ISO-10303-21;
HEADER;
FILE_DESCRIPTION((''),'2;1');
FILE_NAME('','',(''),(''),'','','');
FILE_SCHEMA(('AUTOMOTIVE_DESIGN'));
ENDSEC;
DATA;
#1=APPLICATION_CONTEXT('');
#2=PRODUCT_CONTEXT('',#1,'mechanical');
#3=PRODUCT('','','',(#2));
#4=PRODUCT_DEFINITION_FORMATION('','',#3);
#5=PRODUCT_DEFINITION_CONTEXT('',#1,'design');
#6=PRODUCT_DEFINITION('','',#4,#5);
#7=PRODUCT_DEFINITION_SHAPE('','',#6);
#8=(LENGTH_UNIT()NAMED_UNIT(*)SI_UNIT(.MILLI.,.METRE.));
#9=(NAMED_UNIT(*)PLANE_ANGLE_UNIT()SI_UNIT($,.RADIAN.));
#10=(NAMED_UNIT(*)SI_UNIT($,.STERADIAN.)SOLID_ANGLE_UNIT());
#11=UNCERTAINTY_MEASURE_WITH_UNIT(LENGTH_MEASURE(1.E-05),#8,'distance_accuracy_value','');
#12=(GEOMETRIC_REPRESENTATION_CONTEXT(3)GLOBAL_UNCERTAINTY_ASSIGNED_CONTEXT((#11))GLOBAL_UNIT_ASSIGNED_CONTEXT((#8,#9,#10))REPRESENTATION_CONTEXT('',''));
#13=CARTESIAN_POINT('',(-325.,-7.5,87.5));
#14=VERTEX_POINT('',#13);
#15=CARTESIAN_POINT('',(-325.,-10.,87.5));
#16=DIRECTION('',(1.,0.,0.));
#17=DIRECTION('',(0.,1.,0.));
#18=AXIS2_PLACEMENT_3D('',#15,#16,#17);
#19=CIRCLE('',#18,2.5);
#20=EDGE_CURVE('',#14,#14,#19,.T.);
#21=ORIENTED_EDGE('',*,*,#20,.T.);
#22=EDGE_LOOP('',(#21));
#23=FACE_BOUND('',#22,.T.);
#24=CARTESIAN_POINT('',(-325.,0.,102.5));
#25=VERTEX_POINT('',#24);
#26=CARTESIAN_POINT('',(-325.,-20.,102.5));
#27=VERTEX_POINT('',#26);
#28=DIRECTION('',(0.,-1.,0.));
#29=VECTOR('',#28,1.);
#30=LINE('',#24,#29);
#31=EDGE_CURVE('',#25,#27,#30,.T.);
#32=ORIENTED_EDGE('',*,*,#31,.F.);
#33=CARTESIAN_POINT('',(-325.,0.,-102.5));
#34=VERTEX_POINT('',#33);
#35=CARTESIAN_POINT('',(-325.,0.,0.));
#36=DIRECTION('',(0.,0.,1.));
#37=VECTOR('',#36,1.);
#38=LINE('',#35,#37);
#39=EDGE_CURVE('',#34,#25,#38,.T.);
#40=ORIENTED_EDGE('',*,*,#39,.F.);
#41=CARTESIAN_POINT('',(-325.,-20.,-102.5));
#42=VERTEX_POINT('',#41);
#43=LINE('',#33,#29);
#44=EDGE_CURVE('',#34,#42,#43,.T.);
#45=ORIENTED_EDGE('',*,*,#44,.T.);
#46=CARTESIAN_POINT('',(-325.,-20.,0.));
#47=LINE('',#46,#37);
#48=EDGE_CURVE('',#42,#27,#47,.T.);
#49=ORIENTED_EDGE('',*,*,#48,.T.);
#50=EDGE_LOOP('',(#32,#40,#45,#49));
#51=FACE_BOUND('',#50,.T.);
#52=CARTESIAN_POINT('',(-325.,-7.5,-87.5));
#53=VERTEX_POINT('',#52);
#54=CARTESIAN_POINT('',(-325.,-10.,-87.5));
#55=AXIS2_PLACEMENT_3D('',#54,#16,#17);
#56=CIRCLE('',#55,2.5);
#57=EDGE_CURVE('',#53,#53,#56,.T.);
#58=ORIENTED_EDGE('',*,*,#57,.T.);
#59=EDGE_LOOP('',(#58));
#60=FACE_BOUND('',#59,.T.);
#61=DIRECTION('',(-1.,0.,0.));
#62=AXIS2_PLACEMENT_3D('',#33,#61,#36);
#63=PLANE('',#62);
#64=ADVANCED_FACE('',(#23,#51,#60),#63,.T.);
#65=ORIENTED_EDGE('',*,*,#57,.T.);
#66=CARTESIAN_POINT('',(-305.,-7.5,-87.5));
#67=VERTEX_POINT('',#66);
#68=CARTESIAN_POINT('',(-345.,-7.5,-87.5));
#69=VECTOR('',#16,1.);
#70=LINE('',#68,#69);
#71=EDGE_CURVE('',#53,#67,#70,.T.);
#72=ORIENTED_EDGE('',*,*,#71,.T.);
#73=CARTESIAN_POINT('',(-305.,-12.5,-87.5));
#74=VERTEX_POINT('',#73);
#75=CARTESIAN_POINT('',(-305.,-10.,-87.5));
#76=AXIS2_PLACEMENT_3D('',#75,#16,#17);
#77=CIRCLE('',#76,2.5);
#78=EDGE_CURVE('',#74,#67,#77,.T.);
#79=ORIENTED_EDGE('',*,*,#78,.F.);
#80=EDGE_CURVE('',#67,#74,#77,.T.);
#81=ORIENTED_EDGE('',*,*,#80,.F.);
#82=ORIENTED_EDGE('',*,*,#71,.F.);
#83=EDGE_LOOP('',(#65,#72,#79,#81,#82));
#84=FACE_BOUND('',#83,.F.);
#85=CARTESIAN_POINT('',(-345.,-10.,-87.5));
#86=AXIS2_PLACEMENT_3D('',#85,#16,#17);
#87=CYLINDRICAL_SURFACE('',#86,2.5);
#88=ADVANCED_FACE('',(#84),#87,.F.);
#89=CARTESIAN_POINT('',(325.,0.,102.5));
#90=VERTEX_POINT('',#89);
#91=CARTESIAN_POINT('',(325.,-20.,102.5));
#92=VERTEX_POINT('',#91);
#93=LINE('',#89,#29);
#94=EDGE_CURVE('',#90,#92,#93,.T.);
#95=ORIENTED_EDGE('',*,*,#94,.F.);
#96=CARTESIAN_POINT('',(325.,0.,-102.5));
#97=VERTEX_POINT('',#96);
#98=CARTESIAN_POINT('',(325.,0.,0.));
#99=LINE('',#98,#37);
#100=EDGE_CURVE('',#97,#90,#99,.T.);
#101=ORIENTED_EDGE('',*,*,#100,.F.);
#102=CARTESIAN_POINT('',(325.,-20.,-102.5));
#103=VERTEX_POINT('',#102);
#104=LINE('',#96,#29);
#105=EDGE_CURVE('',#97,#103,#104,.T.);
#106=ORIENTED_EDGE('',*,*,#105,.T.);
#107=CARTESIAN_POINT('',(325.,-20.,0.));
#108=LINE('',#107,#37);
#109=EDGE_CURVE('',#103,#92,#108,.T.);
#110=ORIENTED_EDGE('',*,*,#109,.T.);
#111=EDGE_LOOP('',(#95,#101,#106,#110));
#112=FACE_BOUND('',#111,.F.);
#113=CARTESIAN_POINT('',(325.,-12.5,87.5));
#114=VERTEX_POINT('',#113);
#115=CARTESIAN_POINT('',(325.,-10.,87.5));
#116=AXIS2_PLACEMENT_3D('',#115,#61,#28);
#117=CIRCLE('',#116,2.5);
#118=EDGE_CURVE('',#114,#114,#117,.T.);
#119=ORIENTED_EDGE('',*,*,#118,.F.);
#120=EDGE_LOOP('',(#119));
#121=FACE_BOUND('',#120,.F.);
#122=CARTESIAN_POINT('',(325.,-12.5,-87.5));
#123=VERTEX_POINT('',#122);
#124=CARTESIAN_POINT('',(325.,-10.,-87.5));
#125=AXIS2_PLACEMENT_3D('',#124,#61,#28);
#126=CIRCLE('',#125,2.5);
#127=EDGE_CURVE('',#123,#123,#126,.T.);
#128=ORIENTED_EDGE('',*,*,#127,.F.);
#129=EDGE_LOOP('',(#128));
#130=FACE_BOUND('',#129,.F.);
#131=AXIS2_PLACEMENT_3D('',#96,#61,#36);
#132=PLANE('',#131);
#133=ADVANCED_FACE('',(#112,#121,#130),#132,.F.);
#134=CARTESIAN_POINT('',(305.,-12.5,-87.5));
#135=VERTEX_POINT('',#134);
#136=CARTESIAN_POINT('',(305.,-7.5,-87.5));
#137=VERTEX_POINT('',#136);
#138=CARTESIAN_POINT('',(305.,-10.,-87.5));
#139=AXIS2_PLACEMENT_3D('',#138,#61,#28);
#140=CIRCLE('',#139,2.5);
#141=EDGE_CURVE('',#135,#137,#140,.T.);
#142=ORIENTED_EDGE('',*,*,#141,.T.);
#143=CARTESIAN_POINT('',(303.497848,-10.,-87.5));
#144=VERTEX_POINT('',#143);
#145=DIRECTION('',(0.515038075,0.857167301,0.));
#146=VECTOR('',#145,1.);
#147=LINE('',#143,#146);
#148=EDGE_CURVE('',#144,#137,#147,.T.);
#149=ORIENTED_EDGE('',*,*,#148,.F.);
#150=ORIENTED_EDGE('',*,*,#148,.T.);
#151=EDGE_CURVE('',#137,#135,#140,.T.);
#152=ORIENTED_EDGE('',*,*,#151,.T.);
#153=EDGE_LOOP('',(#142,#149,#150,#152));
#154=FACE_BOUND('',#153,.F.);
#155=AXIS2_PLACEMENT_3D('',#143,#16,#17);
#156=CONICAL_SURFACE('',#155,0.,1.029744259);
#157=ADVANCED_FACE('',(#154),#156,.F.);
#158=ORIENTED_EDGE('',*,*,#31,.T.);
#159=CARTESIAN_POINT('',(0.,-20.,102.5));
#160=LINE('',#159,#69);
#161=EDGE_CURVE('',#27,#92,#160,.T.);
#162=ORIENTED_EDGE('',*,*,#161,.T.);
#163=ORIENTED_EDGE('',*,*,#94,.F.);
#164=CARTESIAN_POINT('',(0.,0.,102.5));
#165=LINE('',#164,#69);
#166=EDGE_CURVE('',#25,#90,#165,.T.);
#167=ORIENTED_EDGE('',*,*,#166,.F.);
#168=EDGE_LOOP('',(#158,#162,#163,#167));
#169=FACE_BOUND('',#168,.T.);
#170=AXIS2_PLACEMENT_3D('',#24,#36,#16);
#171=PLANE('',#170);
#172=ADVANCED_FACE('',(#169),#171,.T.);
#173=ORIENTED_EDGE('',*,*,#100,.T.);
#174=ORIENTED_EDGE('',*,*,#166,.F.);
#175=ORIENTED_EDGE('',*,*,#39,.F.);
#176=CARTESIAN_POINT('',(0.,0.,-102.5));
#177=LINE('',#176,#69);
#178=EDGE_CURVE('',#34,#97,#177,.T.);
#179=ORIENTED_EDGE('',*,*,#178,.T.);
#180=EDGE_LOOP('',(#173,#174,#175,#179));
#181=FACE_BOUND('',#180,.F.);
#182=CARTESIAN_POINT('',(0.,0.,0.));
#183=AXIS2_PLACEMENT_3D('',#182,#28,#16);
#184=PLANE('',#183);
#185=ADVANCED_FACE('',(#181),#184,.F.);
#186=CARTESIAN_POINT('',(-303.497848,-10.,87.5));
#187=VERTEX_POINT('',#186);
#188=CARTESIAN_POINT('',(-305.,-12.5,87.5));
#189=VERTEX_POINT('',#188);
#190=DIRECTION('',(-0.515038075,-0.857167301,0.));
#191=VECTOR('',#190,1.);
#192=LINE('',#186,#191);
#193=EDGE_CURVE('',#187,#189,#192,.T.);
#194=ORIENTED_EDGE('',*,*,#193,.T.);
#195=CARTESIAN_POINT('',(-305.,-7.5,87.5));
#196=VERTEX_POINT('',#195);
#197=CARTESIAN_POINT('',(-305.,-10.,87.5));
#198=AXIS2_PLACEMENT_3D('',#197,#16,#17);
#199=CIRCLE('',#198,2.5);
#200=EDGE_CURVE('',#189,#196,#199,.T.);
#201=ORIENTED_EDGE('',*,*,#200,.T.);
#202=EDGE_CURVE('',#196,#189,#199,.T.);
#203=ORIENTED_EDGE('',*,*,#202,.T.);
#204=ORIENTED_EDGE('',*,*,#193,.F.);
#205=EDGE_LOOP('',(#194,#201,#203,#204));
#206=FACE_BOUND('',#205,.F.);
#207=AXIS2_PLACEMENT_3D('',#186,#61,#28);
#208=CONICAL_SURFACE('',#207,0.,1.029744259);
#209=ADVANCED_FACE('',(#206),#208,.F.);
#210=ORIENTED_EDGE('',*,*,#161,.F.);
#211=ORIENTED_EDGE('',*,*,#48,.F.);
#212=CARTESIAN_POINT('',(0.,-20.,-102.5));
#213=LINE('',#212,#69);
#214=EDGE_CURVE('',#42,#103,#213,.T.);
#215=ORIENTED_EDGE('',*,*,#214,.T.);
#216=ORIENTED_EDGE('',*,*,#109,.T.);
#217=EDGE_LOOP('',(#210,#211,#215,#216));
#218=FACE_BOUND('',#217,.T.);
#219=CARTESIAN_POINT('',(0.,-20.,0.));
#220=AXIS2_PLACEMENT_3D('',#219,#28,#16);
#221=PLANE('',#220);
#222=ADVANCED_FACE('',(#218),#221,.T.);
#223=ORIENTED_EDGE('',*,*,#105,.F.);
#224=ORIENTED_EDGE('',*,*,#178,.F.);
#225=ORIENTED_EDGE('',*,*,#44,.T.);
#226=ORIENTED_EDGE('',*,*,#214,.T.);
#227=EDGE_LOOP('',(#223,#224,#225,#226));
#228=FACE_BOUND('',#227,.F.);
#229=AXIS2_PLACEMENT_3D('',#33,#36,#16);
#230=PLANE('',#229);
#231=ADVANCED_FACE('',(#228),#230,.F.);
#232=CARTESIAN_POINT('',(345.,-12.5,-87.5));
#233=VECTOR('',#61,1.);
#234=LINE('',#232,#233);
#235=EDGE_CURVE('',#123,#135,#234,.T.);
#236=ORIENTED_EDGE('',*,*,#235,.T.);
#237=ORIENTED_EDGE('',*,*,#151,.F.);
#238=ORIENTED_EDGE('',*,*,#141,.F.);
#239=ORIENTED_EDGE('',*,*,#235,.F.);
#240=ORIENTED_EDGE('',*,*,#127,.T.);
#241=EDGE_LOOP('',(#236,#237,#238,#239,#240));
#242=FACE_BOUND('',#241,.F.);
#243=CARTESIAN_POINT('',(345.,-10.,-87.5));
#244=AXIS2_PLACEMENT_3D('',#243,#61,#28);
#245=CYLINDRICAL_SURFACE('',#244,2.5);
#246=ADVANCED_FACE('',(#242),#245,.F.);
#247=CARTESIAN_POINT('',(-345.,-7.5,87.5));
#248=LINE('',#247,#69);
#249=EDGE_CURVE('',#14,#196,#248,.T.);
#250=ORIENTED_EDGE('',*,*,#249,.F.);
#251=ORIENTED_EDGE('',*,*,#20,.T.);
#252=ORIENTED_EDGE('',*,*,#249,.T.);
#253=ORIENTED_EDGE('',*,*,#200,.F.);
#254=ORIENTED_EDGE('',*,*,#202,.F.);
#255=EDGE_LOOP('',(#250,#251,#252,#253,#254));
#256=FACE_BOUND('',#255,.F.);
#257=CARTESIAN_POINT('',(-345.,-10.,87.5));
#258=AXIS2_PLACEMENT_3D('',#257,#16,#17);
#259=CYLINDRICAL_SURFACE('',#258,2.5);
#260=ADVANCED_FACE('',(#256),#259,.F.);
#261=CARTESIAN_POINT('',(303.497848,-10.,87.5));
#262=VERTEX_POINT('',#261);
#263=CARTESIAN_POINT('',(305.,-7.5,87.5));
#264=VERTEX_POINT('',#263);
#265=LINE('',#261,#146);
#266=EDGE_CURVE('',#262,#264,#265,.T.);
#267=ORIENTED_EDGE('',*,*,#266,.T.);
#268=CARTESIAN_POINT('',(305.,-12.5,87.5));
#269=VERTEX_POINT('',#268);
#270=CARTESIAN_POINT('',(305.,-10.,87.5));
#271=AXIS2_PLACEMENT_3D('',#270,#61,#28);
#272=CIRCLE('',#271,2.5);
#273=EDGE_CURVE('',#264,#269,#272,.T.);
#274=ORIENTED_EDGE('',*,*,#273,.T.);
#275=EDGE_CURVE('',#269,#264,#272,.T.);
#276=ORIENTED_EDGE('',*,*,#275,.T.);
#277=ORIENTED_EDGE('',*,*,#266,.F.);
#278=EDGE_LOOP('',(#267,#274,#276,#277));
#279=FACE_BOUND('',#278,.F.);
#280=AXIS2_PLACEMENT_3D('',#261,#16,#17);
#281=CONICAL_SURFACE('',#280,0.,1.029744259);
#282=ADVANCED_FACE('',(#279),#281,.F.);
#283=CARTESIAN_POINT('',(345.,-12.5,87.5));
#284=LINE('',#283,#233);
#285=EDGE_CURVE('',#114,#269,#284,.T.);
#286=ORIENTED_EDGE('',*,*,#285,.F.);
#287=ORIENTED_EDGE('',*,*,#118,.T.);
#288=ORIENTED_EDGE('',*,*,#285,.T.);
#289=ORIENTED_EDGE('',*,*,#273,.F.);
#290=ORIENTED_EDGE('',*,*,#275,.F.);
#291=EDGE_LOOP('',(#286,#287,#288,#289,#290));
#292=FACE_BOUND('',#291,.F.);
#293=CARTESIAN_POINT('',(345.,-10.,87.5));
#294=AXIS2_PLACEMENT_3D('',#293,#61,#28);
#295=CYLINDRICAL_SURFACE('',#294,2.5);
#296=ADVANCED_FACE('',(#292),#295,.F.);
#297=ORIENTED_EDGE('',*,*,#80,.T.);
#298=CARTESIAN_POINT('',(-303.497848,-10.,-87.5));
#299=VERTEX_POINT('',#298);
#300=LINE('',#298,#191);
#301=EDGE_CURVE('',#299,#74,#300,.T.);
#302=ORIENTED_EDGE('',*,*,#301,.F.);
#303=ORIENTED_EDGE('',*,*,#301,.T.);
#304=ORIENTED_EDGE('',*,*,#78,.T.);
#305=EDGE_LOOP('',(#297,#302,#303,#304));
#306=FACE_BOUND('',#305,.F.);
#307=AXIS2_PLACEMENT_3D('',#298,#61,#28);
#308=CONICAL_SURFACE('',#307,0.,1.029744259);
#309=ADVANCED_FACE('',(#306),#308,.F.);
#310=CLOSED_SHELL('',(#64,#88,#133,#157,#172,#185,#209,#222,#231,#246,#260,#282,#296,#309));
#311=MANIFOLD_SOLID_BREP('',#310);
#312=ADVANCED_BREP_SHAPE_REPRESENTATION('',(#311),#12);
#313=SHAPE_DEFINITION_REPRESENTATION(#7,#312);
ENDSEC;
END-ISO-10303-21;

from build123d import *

# Parameters (mm, degrees)
F0_W     = 650
F0_H     = 205
F1_DEPTH = 20
F3_D     = 5
F3_DEPTH = 20
F3_TIP   = 1.5021515476
F5_D     = 5
F5_DEPTH = 20
F5_TIP   = 1.5021515476


with BuildPart() as f1:
    # F0 (on Front) → F1 (new body)
    with BuildSketch(Plane.XZ):
        Rectangle(F0_W, F0_H)
    extrude(amount=F1_DEPTH)

    # F3
    with Locations(Plane.YZ.offset(325)):
        with Locations((-10, 87.5), (-10, -87.5)):
            Hole(F3_D / 2, depth=F3_DEPTH)
            with Locations((0, 0, -(F3_DEPTH + F3_TIP / 2))):  # 118° drill point
                Cone(0, F3_D / 2, F3_TIP, mode=Mode.SUBTRACT)

    # F5
    with Locations(Plane(origin=(-325, 0, 0), x_dir=(0, -1, 0), z_dir=(-1, 0, 0))):
        with Locations((10, 87.5), (10, -87.5)):
            Hole(F5_D / 2, depth=F5_DEPTH)
            with Locations((0, 0, -(F5_DEPTH + F5_TIP / 2))):  # 118° drill point
                Cone(0, F5_D / 2, F5_TIP, mode=Mode.SUBTRACT)


solid = f1.part
